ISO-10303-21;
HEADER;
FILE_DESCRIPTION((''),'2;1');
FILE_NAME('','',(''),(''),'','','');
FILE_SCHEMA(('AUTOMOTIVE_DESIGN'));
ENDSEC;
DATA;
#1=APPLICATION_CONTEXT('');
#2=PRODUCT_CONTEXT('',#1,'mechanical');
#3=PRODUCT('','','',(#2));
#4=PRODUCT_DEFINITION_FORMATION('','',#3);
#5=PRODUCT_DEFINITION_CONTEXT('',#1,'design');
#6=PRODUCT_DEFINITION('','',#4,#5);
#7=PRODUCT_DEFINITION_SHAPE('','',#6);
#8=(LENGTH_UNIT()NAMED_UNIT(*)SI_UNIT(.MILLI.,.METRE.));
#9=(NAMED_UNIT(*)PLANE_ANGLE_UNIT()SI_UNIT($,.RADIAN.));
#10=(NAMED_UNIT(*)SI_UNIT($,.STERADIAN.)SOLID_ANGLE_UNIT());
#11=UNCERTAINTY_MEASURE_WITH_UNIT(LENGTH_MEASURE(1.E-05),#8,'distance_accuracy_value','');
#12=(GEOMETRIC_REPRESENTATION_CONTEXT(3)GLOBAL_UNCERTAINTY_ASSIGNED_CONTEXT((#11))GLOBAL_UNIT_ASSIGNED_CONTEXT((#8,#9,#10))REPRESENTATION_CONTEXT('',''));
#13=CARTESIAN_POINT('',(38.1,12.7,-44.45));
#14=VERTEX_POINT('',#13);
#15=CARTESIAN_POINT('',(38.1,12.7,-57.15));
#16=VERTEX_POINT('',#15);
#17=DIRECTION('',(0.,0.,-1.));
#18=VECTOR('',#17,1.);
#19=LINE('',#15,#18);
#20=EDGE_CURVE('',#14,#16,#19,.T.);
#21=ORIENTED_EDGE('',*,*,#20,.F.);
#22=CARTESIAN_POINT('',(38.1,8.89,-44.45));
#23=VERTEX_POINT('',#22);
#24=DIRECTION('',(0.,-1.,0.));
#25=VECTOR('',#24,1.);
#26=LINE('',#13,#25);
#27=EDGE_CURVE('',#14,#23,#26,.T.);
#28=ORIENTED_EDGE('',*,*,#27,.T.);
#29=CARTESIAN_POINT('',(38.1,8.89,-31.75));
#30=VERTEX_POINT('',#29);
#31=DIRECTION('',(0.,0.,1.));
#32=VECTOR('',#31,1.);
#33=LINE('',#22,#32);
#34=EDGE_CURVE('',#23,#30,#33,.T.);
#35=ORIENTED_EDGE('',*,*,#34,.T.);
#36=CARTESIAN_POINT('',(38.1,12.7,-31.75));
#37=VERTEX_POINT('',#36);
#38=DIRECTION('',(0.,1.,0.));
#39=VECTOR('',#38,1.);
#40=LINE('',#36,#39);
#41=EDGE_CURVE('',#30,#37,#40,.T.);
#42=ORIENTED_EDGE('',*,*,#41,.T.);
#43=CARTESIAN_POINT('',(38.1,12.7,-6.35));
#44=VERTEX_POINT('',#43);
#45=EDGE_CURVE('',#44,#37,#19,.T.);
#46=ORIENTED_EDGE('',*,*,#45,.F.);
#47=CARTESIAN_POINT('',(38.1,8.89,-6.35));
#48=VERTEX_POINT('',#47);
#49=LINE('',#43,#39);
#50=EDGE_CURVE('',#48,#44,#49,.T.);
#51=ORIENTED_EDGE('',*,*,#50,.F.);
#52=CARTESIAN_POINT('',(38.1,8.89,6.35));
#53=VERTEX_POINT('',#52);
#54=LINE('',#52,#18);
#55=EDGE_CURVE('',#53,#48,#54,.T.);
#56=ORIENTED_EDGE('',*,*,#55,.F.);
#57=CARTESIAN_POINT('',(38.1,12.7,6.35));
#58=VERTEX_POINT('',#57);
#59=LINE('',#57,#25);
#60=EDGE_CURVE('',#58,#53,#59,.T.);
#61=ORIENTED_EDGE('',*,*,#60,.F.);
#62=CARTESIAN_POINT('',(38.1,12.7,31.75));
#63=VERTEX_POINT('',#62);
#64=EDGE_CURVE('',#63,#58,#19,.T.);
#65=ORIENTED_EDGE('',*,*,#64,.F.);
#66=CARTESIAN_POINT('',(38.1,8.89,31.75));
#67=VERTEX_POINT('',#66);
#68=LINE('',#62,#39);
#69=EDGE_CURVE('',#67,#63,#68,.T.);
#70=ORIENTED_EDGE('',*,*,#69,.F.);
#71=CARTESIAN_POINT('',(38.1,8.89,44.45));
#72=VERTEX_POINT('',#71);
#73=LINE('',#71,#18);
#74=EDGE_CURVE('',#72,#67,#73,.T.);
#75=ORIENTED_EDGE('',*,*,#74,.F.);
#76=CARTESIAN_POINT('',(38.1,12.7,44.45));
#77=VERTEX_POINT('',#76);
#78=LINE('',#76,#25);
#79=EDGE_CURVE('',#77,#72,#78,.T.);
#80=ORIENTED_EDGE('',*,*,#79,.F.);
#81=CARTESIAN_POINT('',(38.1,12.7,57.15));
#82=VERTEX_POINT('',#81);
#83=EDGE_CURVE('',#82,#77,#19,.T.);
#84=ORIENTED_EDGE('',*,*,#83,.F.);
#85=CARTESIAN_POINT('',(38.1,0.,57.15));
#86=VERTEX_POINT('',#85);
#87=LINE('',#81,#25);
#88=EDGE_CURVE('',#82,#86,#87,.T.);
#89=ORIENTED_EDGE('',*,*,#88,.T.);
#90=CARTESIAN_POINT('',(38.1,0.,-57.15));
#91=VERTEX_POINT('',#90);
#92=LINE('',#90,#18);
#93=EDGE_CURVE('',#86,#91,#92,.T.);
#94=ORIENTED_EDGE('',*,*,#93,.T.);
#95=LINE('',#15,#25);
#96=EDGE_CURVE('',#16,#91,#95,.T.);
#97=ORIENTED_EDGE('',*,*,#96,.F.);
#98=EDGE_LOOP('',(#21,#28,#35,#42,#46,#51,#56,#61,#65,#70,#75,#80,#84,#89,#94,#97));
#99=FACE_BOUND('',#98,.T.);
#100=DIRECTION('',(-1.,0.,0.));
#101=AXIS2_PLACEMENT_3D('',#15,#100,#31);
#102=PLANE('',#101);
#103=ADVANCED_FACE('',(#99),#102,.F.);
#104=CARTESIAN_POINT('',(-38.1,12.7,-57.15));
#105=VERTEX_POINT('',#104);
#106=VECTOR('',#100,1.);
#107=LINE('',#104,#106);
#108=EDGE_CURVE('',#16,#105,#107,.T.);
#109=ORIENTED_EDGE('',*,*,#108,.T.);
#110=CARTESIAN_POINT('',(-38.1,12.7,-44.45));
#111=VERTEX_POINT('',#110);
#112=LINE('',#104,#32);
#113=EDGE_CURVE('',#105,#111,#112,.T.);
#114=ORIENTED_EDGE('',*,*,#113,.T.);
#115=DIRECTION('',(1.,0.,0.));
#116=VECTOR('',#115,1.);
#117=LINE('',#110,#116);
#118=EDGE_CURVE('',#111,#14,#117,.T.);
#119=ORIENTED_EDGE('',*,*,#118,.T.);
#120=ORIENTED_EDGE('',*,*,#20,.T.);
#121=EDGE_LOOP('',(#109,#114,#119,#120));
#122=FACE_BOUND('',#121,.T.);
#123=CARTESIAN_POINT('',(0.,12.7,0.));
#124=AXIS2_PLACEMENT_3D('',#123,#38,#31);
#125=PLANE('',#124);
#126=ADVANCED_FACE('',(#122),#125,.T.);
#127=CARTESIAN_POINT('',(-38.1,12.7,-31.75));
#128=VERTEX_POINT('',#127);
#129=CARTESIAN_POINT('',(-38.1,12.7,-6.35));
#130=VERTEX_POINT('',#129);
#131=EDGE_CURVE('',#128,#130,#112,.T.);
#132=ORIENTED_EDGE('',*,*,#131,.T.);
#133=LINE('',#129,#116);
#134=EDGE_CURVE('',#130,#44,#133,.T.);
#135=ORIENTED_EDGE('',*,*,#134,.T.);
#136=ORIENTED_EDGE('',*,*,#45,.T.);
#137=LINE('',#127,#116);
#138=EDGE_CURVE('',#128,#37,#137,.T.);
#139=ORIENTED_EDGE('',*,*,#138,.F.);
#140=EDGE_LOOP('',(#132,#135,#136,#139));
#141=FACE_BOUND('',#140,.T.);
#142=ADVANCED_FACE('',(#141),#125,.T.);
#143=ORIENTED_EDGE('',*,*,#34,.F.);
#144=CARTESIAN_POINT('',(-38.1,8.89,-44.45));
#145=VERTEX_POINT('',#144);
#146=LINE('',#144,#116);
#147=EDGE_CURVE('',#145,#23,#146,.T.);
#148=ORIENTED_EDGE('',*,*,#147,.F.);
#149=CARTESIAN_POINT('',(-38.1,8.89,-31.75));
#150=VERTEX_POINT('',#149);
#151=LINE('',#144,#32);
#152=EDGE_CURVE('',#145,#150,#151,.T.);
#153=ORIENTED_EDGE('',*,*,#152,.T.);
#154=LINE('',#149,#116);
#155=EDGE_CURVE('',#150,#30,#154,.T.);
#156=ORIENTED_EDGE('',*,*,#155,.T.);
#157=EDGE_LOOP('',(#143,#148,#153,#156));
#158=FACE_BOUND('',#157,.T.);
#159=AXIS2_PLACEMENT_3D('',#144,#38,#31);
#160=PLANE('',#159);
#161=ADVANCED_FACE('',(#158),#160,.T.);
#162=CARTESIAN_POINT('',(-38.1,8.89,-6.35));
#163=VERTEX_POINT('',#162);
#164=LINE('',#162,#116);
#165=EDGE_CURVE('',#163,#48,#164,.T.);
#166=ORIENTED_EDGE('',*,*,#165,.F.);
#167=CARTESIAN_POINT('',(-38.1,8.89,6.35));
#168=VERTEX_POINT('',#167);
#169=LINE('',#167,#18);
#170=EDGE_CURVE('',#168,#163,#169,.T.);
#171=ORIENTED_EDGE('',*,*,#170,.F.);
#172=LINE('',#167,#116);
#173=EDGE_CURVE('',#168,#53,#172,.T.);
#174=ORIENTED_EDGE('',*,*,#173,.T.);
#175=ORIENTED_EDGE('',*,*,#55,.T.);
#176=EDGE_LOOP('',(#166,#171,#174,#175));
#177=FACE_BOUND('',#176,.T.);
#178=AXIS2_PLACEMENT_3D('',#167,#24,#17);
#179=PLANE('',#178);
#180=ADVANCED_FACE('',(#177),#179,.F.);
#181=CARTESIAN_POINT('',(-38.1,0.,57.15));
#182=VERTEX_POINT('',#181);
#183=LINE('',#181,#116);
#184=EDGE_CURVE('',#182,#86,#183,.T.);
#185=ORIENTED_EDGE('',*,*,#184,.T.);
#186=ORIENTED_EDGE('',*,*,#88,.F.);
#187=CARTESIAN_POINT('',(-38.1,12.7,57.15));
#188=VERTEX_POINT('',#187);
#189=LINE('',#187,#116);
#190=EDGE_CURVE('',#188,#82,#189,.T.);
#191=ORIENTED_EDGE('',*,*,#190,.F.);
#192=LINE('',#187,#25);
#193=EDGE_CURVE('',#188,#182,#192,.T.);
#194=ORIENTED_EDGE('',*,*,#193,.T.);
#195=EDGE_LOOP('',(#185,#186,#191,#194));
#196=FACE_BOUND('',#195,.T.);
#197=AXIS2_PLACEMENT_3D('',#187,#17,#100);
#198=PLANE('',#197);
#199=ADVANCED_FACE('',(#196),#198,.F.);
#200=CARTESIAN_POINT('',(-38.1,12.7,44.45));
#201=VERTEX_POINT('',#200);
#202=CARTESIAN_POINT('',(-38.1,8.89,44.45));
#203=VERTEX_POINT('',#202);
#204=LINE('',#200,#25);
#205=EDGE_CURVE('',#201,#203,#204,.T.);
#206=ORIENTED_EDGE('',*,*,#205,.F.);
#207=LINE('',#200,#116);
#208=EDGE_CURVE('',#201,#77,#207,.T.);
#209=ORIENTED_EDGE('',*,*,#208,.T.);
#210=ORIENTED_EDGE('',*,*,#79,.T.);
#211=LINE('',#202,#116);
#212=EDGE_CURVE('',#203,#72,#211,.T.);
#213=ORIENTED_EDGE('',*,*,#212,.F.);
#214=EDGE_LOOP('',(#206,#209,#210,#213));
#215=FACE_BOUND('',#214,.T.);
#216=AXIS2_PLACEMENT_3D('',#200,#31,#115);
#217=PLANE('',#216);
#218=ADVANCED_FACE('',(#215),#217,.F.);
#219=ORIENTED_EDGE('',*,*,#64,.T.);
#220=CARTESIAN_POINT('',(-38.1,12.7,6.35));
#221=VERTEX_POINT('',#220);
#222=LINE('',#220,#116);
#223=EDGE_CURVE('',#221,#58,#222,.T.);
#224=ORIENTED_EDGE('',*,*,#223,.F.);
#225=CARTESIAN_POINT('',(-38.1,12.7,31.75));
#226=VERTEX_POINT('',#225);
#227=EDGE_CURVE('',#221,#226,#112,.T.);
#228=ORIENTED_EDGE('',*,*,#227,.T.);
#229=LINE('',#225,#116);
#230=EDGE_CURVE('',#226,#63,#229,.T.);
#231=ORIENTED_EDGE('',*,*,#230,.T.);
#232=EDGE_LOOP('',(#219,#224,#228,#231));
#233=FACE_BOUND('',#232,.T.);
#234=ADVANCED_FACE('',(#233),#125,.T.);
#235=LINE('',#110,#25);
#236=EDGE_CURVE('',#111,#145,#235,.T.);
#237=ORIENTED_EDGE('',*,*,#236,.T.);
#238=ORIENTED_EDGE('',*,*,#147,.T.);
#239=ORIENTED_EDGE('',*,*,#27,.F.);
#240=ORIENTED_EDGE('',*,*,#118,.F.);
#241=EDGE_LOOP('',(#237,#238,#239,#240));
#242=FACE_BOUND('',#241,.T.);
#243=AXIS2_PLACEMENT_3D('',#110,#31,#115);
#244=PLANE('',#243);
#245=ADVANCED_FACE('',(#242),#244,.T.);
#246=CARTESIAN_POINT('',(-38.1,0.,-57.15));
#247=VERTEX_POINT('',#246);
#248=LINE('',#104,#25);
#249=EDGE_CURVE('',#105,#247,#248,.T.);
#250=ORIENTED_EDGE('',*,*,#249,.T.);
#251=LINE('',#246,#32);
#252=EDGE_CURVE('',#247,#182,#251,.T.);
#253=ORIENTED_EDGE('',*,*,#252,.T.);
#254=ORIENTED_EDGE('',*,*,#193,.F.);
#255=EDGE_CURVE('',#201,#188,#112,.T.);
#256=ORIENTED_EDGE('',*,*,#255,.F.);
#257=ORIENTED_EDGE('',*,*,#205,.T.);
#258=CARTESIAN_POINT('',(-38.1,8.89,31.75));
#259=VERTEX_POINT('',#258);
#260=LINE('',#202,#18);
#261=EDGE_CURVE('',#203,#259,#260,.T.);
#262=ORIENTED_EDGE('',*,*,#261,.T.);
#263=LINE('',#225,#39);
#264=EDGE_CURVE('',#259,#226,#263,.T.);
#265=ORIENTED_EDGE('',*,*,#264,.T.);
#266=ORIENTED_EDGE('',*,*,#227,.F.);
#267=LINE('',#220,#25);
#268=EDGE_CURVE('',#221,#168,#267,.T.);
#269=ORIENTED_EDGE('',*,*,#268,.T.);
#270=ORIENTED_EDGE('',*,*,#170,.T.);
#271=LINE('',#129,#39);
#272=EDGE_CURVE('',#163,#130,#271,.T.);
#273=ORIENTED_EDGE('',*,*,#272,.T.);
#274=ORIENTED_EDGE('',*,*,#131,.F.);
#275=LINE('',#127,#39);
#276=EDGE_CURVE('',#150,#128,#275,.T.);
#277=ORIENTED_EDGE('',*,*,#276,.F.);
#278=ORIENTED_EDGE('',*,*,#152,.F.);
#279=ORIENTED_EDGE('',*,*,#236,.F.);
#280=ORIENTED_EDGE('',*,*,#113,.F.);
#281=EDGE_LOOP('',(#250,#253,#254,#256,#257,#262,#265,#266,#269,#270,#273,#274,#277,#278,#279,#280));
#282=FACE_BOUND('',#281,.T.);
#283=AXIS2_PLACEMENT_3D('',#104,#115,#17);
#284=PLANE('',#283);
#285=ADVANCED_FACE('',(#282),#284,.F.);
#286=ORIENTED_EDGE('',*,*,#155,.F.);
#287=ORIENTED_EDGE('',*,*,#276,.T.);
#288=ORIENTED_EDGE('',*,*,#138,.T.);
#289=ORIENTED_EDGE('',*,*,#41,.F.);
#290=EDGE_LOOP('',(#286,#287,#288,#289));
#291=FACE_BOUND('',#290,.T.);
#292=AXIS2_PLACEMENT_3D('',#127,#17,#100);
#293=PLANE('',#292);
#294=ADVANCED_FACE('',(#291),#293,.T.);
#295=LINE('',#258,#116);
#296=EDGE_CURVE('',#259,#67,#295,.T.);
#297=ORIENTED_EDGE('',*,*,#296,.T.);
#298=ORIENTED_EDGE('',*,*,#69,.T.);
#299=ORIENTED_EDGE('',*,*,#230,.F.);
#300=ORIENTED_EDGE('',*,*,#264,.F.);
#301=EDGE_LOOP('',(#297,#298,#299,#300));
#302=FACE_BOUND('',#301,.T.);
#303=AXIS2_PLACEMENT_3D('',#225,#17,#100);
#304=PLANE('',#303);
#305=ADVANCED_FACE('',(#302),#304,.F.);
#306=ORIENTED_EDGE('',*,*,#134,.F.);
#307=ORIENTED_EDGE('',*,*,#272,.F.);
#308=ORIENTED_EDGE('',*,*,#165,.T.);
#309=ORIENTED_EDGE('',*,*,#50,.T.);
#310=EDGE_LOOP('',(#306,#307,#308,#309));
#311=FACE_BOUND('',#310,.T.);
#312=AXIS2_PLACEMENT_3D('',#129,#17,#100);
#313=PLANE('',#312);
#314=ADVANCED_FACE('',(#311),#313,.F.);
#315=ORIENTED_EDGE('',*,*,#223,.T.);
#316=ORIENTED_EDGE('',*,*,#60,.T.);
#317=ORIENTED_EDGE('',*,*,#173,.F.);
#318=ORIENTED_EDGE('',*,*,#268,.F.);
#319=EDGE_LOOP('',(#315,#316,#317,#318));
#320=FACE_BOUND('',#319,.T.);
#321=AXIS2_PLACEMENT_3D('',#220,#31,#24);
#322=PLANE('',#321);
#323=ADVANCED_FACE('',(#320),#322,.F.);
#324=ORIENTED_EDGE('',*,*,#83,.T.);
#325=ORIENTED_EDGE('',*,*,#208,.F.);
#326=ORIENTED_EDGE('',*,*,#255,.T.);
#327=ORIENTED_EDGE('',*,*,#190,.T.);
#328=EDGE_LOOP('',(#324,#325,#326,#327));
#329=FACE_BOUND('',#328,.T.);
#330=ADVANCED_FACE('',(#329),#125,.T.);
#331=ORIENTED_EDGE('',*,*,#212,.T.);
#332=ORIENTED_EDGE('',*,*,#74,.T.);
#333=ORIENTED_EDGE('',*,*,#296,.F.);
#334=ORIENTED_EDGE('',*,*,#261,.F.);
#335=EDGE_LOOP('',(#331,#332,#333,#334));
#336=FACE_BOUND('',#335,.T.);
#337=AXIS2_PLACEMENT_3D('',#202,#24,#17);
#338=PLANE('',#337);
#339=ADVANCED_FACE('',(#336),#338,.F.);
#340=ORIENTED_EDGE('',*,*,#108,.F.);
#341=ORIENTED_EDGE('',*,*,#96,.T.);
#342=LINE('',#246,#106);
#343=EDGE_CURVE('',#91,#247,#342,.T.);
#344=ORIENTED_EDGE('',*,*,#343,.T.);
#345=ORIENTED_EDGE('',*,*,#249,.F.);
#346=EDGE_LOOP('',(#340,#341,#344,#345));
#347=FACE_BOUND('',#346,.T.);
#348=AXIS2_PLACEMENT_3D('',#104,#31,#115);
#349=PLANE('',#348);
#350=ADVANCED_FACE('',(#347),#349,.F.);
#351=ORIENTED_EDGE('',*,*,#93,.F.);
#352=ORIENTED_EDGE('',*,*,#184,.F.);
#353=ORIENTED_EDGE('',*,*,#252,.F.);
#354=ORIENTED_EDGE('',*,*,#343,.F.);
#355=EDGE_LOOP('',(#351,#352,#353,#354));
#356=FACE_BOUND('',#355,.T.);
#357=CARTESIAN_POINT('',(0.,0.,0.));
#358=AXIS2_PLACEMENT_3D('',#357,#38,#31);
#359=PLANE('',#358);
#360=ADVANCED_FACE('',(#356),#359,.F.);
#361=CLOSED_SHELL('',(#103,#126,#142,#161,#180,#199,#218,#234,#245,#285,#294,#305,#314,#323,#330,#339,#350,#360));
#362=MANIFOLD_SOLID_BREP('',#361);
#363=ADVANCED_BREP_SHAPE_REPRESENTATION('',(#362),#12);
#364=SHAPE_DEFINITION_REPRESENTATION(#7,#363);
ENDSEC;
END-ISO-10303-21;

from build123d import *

# Parameters (mm, degrees)
SKETCH2_W           = 76.2
SKETCH2_H           = 114.3
BOSS_EXTRUDE1_DEPTH = 12.7
SKETCH4_W           = 12.7
SKETCH4_H           = 3.81
CUT_EXTRUDE1_DEPTH  = 76.2
SKETCH5_W           = 12.7
SKETCH5_H           = 3.81
CUT_EXTRUDE2_DEPTH  = 76.2


with BuildPart() as part:
    # Sketch2 → Boss-Extrude1 (new body)
    with BuildSketch(Plane(origin=(0, 0, 0), x_dir=(1, 0, 0), z_dir=(0, 1, 0))):
        Rectangle(SKETCH2_W, SKETCH2_H)
    extrude(amount=BOSS_EXTRUDE1_DEPTH)

    # Sketch4 → Cut-Extrude1 (cut)
    with BuildSketch(Plane(origin=(38.1, 0, 0), x_dir=(0, 0, -1), z_dir=(1, 0, 0))):
        with Locations((-38.1, 10.795)):
            Rectangle(SKETCH4_W, SKETCH4_H)
    cut_extrude1 = extrude(amount=-CUT_EXTRUDE1_DEPTH, mode=Mode.SUBTRACT)

    # Mirror1: Cut-Extrude1 across plane
    add(cut_extrude1.mirror(Plane.XY), mode=Mode.SUBTRACT)

    # Sketch5 → Cut-Extrude2 (cut)
    with BuildSketch(Plane(origin=(38.1, 0, 0), x_dir=(0, 0, -1), z_dir=(1, 0, 0))):
        with Locations((0, 10.795)):
            Rectangle(SKETCH5_W, SKETCH5_H)
    extrude(amount=-CUT_EXTRUDE2_DEPTH, mode=Mode.SUBTRACT)


solid = part.part
